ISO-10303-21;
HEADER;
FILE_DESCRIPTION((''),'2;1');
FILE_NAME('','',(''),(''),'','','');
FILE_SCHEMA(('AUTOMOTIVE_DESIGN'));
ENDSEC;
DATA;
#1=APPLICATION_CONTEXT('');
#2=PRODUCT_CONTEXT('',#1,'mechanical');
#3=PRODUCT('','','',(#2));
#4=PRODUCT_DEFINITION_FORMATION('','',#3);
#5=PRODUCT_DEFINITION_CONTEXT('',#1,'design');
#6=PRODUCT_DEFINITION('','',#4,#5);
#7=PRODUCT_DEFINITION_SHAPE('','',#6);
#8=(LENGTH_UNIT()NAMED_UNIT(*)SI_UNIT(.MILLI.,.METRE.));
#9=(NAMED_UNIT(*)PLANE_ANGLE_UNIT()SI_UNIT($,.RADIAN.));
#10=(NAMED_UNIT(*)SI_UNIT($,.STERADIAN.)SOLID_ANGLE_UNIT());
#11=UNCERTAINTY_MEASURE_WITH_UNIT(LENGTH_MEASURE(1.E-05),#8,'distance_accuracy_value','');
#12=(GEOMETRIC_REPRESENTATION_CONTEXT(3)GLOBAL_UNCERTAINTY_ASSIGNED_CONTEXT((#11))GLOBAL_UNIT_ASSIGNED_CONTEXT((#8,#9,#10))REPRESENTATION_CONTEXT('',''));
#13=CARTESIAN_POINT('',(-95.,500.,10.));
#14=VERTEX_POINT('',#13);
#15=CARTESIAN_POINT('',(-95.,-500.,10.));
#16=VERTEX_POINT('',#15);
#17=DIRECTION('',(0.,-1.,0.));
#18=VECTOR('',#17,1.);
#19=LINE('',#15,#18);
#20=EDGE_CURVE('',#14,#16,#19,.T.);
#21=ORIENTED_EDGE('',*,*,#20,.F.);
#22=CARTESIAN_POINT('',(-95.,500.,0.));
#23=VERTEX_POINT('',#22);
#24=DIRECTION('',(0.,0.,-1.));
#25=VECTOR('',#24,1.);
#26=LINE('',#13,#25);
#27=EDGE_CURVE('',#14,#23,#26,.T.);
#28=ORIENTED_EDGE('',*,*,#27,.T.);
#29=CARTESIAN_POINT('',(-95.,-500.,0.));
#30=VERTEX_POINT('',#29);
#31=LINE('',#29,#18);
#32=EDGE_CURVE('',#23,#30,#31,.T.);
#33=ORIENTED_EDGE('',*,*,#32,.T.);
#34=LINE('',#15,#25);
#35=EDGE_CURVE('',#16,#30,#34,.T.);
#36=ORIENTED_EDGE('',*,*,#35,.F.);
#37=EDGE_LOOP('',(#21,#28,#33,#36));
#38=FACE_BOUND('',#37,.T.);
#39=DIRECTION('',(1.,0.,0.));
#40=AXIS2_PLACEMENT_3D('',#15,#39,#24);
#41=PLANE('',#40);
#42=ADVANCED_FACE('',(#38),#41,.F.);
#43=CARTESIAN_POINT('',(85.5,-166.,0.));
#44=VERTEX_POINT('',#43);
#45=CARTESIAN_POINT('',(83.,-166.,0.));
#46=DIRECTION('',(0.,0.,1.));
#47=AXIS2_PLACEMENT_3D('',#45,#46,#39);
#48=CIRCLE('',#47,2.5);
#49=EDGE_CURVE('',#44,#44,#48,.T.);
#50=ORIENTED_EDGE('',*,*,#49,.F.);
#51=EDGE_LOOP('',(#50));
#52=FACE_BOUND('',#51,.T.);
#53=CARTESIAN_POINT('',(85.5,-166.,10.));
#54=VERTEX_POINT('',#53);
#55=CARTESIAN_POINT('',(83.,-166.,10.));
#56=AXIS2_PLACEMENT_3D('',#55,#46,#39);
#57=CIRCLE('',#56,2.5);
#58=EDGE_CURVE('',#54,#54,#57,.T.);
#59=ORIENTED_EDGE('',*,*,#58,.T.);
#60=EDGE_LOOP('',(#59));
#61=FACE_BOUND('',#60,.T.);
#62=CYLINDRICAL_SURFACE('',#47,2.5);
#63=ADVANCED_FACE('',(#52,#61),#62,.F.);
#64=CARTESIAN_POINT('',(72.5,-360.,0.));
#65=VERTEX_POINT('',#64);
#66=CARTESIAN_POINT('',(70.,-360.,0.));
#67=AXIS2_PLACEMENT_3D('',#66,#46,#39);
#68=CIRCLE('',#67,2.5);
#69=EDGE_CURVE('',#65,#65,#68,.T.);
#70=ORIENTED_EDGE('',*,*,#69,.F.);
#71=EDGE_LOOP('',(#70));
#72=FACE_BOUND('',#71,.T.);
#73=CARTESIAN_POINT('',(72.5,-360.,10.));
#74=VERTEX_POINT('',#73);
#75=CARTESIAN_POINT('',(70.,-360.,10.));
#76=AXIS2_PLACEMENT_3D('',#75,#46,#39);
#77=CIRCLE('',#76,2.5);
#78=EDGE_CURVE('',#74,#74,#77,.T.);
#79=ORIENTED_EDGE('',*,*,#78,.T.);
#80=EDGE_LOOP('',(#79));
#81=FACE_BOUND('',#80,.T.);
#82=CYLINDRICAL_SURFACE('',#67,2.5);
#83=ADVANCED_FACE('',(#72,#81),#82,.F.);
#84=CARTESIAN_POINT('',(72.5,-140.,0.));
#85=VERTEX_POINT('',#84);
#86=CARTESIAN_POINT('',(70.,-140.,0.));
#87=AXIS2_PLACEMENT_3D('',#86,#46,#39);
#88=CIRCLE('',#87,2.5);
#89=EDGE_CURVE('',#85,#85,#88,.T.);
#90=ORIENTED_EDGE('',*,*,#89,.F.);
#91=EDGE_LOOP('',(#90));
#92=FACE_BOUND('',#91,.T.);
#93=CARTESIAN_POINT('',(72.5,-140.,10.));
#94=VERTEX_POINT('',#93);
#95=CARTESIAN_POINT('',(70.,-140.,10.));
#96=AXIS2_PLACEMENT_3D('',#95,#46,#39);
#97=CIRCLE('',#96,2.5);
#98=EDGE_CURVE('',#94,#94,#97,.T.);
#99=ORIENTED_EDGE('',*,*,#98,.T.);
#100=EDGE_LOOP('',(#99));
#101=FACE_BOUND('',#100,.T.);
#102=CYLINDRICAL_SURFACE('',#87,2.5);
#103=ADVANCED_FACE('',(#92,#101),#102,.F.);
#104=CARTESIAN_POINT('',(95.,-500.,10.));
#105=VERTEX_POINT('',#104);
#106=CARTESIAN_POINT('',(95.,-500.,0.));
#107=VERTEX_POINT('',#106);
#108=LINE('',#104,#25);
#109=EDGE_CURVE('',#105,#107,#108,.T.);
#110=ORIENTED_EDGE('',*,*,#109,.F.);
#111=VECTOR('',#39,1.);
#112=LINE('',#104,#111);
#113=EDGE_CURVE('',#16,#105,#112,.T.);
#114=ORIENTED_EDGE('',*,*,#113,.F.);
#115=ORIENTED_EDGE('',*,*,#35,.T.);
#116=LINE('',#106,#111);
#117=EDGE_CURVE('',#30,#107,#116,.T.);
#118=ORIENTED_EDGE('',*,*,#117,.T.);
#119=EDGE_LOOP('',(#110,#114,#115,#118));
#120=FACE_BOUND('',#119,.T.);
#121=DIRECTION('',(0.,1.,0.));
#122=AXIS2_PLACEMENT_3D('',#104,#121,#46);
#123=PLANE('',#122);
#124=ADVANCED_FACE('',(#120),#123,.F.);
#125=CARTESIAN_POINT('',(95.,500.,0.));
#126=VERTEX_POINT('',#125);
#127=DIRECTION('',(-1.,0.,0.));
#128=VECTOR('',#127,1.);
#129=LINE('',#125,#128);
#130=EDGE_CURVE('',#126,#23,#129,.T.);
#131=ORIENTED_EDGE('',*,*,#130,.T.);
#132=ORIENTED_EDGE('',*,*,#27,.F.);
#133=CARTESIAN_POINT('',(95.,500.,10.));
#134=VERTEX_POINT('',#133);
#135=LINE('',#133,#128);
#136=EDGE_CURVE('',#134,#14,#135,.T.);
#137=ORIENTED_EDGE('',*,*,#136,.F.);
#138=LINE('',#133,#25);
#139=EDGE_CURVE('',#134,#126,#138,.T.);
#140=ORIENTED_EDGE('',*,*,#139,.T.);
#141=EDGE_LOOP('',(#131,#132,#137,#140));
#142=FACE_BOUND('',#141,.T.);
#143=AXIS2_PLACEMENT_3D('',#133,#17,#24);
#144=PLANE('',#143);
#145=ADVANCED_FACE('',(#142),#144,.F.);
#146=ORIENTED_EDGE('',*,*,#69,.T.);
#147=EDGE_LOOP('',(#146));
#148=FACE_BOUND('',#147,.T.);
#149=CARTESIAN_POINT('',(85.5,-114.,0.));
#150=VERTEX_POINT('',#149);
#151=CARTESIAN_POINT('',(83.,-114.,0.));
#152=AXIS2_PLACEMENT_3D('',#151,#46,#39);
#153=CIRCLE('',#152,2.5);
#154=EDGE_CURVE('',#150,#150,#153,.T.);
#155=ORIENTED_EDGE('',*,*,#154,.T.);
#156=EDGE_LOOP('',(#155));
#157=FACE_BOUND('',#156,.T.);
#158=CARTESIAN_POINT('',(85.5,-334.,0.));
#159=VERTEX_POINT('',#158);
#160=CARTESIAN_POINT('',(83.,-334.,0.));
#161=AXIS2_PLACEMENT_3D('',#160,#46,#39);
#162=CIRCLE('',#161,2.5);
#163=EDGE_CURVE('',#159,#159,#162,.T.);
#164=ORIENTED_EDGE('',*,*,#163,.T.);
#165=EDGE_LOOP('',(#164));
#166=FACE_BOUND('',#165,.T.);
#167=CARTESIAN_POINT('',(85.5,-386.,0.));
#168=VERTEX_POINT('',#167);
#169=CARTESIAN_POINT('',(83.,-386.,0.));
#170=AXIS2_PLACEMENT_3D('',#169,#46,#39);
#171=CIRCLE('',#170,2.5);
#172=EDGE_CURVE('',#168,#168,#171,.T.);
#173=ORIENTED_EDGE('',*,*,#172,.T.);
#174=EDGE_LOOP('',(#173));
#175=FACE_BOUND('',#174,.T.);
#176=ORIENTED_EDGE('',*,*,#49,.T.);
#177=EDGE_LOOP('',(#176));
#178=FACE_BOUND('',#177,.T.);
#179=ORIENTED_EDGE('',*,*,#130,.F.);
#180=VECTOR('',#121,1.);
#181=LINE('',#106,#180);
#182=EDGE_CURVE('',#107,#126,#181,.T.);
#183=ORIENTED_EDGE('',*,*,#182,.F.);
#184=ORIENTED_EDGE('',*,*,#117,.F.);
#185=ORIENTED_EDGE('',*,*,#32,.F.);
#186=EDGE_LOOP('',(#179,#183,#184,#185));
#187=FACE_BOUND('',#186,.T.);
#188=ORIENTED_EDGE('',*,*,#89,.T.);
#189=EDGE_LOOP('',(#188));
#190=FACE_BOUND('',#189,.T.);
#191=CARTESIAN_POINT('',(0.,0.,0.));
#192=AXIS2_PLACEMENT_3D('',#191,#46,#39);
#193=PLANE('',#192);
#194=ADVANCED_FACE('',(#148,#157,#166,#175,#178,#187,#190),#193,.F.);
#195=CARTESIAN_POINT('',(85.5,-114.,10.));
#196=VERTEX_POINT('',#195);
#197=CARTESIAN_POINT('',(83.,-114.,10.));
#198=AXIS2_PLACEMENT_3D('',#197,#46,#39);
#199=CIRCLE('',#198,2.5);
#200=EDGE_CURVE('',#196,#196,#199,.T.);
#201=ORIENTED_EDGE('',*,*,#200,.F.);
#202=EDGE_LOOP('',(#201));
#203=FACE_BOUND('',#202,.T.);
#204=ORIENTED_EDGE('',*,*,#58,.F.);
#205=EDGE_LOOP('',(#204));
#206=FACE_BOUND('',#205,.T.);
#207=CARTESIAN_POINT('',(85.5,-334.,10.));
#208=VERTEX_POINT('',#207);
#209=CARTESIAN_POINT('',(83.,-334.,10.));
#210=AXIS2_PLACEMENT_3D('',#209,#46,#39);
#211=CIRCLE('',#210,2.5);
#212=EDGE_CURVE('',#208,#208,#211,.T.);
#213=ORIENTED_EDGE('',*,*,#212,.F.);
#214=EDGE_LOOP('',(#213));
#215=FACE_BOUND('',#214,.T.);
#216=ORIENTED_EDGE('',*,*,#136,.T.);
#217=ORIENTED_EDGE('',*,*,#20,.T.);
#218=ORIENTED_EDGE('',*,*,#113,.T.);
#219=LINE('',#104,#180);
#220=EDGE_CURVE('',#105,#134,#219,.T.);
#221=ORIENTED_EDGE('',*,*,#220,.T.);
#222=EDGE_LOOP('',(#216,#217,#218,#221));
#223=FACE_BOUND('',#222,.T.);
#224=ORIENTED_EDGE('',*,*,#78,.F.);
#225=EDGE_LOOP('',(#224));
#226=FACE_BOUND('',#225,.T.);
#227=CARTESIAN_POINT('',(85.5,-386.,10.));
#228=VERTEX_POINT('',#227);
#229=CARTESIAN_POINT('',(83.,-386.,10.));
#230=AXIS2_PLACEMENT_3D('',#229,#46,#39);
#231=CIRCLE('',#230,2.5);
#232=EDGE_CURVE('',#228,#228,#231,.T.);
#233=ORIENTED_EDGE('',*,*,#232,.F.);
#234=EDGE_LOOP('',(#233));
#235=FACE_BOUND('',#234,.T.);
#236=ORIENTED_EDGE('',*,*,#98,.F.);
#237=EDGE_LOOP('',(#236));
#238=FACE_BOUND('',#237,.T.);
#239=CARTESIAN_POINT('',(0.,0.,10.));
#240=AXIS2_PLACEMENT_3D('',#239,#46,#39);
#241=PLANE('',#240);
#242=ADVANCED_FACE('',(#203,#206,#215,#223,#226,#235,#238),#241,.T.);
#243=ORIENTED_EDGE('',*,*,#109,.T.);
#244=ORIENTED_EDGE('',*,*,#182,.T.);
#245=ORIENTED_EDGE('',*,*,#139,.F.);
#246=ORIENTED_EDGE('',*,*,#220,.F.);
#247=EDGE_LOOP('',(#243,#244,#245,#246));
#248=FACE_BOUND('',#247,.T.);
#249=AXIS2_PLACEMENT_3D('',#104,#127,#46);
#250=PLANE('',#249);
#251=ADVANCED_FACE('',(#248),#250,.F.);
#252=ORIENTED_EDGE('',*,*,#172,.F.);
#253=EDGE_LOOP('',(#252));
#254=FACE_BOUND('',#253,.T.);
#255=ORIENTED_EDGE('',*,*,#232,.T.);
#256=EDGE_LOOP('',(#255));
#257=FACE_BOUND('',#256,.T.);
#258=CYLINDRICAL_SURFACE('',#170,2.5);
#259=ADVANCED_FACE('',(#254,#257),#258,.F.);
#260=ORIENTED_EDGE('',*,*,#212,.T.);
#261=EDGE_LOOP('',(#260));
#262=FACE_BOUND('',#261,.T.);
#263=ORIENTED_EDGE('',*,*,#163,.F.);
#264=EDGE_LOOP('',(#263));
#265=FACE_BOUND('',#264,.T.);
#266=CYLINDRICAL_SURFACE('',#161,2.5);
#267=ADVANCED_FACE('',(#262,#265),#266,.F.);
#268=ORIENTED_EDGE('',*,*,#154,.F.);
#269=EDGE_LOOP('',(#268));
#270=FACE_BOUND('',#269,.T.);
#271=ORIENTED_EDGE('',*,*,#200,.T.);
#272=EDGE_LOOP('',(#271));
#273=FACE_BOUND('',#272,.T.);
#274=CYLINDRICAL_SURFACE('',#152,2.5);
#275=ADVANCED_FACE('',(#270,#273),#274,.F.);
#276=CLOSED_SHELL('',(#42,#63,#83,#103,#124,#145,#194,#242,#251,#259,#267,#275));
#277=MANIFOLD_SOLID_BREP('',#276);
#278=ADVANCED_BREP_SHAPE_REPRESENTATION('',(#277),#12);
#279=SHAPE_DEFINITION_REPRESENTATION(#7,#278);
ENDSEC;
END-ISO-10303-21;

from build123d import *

# Parameters (mm, degrees)
SKETCH1_W           = 190
SKETCH1_H           = 1000
BOSS_EXTRUDE1_DEPTH = 10
SKETCH2_R           = 2.5
CUT_EXTRUDE1_DEPTH  = 510.043220169


with BuildPart() as part:
    # Sketch1 → Boss-Extrude1 (new body)
    with BuildSketch(Plane.XY):
        Rectangle(SKETCH1_W, SKETCH1_H)
    extrude(amount=BOSS_EXTRUDE1_DEPTH)

    # Sketch2 → Cut-Extrude1 (cut, through all)
    with BuildSketch(Plane.XY.offset(10)):
        with Locations((83, -386)):
            Circle(SKETCH2_R)
        with Locations((70, -360)):
            Circle(SKETCH2_R)
        with Locations((83, -334)):
            Circle(SKETCH2_R)
        with Locations((83, -166)):
            Circle(SKETCH2_R)
        with Locations((70, -140)):
            Circle(SKETCH2_R)
        with Locations((83, -114)):
            Circle(SKETCH2_R)
    extrude(amount=-CUT_EXTRUDE1_DEPTH, mode=Mode.SUBTRACT)


solid = part.part
